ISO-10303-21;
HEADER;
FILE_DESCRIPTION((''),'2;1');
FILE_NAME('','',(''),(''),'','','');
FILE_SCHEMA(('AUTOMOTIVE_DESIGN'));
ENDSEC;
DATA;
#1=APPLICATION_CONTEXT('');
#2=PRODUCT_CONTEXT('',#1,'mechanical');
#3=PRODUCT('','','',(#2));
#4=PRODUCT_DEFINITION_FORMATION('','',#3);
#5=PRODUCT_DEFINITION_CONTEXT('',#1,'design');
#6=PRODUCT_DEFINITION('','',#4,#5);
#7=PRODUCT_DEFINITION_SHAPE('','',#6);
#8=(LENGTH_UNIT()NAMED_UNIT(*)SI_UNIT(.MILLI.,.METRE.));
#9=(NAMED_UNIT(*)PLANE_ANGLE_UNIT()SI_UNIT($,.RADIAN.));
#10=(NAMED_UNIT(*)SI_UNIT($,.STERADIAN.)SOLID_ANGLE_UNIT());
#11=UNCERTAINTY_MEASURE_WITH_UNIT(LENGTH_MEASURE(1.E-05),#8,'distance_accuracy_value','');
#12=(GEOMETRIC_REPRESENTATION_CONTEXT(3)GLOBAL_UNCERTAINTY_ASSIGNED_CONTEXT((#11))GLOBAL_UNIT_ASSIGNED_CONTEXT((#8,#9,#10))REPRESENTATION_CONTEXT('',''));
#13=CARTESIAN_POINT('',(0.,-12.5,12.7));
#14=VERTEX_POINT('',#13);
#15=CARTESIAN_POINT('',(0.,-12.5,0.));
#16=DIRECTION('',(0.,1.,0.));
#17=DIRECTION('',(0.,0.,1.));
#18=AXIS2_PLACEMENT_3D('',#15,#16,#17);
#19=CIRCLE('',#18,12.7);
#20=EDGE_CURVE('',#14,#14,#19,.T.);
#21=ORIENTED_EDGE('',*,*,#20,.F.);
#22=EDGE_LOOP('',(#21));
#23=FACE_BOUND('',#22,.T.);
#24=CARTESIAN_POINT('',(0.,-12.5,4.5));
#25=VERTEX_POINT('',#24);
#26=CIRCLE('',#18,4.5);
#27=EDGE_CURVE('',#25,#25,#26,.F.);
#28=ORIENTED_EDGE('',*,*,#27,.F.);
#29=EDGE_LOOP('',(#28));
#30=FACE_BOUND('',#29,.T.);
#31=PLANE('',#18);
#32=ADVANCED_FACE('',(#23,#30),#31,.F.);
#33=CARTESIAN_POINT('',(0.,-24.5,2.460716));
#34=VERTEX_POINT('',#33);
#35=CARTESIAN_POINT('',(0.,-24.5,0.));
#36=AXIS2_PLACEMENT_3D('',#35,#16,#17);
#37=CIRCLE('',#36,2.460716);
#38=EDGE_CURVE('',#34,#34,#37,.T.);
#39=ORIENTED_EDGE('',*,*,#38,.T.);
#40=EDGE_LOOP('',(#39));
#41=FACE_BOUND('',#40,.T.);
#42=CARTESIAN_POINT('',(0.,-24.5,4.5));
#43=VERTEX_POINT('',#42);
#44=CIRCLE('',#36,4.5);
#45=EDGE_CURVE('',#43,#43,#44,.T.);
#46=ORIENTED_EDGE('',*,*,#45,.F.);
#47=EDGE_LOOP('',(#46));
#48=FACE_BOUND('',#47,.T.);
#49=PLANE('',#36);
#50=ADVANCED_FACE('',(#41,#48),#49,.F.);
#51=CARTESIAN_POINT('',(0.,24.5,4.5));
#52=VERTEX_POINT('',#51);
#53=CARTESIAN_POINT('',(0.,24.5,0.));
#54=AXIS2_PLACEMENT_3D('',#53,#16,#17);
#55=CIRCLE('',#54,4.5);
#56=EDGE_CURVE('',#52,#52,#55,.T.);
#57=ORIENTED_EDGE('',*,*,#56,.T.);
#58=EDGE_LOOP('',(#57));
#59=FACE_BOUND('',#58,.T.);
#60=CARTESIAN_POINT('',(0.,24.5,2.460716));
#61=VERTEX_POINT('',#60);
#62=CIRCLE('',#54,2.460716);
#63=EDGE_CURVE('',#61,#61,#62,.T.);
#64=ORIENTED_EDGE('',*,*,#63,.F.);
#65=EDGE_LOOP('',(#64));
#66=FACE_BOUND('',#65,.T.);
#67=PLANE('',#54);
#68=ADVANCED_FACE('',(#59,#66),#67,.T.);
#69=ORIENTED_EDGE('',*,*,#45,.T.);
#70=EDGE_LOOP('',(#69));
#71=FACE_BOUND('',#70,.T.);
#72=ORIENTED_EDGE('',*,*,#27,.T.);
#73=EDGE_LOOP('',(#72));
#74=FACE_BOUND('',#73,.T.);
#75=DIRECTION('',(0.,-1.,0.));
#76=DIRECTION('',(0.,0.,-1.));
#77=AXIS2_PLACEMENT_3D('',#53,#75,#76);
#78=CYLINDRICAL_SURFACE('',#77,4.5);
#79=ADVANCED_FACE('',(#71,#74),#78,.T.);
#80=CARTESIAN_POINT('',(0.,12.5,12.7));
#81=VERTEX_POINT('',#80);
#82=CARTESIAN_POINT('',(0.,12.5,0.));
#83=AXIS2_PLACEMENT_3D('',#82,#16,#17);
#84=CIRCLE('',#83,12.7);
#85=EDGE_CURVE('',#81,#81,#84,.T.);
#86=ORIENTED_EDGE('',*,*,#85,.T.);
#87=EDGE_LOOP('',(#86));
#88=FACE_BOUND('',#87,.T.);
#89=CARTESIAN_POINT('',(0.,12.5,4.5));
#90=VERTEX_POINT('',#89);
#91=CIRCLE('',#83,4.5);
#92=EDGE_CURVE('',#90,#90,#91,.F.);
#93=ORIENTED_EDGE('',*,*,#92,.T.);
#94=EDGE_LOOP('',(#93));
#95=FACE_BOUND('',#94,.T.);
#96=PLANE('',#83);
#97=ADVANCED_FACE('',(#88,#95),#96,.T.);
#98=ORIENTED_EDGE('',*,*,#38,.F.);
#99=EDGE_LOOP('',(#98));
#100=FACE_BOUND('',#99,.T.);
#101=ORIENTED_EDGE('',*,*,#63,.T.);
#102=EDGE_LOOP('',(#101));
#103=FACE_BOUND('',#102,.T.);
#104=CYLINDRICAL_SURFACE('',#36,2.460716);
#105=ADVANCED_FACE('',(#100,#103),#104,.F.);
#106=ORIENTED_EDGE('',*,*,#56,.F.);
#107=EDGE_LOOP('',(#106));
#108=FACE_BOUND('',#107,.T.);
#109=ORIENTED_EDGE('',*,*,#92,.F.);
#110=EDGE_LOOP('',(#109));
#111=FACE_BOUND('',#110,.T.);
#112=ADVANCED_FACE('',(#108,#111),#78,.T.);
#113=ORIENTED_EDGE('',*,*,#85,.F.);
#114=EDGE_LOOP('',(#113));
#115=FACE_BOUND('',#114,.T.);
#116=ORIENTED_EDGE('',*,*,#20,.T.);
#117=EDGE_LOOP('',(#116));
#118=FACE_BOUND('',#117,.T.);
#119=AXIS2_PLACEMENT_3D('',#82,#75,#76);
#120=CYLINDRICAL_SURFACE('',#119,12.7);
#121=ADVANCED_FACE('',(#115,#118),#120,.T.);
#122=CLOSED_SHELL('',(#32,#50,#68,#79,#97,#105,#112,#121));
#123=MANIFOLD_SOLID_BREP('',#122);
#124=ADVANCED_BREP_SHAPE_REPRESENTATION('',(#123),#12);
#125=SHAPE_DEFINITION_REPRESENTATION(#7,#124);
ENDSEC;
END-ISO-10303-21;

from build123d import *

# Parameters (mm, degrees)
CROQUIS1_R                 = 12.7
SALIENTE_EXTRUIR1_DEPTH    = 12.5
CROQUIS2_R                 = 4.5
SALIENTE_EXTRUIR2_DEPTH    = 24.5
CORTAR_EXTRUIR1_DEPTH      = 31.378117124
CORTAR_EXTRUIR1_DEPTH_BACK = 31.378117124
CROQUIS3_R                 = 2.460715963


with BuildPart() as part:
    # Croquis1 → Saliente-Extruir1 (new, symmetric)
    with BuildSketch(Plane(origin=(0, 0, 0), x_dir=(1, 0, 0), z_dir=(0, 1, 0))):
        with Locations(Location((0, 0, 0), (0, 0, 270))):
            Circle(CROQUIS1_R)
    extrude(amount=SALIENTE_EXTRUIR1_DEPTH, both=True)

    # Croquis2 → Saliente-Extruir2 (add, symmetric)
    with BuildSketch(Plane(origin=(0, 0, 0), x_dir=(1, 0, 0), z_dir=(0, 1, 0))):
        with Locations(Location((0, 0, 0), (0, 0, 270))):
            Circle(CROQUIS2_R)
    extrude(amount=SALIENTE_EXTRUIR2_DEPTH, both=True)

    # Croquis3 → Cortar-Extruir1 (cut, two sides: drawn at the far end of the back side and taken through both)
    with BuildSketch(Plane(origin=(0, 0, 0), x_dir=(1, 0, 0), z_dir=(0, 1, 0)).offset(-CORTAR_EXTRUIR1_DEPTH_BACK)):
        with Locations(Location((0, 0, 0), (0, 0, 270))):
            Circle(CROQUIS3_R)
    extrude(amount=CORTAR_EXTRUIR1_DEPTH + CORTAR_EXTRUIR1_DEPTH_BACK, mode=Mode.SUBTRACT)


solid = part.part
